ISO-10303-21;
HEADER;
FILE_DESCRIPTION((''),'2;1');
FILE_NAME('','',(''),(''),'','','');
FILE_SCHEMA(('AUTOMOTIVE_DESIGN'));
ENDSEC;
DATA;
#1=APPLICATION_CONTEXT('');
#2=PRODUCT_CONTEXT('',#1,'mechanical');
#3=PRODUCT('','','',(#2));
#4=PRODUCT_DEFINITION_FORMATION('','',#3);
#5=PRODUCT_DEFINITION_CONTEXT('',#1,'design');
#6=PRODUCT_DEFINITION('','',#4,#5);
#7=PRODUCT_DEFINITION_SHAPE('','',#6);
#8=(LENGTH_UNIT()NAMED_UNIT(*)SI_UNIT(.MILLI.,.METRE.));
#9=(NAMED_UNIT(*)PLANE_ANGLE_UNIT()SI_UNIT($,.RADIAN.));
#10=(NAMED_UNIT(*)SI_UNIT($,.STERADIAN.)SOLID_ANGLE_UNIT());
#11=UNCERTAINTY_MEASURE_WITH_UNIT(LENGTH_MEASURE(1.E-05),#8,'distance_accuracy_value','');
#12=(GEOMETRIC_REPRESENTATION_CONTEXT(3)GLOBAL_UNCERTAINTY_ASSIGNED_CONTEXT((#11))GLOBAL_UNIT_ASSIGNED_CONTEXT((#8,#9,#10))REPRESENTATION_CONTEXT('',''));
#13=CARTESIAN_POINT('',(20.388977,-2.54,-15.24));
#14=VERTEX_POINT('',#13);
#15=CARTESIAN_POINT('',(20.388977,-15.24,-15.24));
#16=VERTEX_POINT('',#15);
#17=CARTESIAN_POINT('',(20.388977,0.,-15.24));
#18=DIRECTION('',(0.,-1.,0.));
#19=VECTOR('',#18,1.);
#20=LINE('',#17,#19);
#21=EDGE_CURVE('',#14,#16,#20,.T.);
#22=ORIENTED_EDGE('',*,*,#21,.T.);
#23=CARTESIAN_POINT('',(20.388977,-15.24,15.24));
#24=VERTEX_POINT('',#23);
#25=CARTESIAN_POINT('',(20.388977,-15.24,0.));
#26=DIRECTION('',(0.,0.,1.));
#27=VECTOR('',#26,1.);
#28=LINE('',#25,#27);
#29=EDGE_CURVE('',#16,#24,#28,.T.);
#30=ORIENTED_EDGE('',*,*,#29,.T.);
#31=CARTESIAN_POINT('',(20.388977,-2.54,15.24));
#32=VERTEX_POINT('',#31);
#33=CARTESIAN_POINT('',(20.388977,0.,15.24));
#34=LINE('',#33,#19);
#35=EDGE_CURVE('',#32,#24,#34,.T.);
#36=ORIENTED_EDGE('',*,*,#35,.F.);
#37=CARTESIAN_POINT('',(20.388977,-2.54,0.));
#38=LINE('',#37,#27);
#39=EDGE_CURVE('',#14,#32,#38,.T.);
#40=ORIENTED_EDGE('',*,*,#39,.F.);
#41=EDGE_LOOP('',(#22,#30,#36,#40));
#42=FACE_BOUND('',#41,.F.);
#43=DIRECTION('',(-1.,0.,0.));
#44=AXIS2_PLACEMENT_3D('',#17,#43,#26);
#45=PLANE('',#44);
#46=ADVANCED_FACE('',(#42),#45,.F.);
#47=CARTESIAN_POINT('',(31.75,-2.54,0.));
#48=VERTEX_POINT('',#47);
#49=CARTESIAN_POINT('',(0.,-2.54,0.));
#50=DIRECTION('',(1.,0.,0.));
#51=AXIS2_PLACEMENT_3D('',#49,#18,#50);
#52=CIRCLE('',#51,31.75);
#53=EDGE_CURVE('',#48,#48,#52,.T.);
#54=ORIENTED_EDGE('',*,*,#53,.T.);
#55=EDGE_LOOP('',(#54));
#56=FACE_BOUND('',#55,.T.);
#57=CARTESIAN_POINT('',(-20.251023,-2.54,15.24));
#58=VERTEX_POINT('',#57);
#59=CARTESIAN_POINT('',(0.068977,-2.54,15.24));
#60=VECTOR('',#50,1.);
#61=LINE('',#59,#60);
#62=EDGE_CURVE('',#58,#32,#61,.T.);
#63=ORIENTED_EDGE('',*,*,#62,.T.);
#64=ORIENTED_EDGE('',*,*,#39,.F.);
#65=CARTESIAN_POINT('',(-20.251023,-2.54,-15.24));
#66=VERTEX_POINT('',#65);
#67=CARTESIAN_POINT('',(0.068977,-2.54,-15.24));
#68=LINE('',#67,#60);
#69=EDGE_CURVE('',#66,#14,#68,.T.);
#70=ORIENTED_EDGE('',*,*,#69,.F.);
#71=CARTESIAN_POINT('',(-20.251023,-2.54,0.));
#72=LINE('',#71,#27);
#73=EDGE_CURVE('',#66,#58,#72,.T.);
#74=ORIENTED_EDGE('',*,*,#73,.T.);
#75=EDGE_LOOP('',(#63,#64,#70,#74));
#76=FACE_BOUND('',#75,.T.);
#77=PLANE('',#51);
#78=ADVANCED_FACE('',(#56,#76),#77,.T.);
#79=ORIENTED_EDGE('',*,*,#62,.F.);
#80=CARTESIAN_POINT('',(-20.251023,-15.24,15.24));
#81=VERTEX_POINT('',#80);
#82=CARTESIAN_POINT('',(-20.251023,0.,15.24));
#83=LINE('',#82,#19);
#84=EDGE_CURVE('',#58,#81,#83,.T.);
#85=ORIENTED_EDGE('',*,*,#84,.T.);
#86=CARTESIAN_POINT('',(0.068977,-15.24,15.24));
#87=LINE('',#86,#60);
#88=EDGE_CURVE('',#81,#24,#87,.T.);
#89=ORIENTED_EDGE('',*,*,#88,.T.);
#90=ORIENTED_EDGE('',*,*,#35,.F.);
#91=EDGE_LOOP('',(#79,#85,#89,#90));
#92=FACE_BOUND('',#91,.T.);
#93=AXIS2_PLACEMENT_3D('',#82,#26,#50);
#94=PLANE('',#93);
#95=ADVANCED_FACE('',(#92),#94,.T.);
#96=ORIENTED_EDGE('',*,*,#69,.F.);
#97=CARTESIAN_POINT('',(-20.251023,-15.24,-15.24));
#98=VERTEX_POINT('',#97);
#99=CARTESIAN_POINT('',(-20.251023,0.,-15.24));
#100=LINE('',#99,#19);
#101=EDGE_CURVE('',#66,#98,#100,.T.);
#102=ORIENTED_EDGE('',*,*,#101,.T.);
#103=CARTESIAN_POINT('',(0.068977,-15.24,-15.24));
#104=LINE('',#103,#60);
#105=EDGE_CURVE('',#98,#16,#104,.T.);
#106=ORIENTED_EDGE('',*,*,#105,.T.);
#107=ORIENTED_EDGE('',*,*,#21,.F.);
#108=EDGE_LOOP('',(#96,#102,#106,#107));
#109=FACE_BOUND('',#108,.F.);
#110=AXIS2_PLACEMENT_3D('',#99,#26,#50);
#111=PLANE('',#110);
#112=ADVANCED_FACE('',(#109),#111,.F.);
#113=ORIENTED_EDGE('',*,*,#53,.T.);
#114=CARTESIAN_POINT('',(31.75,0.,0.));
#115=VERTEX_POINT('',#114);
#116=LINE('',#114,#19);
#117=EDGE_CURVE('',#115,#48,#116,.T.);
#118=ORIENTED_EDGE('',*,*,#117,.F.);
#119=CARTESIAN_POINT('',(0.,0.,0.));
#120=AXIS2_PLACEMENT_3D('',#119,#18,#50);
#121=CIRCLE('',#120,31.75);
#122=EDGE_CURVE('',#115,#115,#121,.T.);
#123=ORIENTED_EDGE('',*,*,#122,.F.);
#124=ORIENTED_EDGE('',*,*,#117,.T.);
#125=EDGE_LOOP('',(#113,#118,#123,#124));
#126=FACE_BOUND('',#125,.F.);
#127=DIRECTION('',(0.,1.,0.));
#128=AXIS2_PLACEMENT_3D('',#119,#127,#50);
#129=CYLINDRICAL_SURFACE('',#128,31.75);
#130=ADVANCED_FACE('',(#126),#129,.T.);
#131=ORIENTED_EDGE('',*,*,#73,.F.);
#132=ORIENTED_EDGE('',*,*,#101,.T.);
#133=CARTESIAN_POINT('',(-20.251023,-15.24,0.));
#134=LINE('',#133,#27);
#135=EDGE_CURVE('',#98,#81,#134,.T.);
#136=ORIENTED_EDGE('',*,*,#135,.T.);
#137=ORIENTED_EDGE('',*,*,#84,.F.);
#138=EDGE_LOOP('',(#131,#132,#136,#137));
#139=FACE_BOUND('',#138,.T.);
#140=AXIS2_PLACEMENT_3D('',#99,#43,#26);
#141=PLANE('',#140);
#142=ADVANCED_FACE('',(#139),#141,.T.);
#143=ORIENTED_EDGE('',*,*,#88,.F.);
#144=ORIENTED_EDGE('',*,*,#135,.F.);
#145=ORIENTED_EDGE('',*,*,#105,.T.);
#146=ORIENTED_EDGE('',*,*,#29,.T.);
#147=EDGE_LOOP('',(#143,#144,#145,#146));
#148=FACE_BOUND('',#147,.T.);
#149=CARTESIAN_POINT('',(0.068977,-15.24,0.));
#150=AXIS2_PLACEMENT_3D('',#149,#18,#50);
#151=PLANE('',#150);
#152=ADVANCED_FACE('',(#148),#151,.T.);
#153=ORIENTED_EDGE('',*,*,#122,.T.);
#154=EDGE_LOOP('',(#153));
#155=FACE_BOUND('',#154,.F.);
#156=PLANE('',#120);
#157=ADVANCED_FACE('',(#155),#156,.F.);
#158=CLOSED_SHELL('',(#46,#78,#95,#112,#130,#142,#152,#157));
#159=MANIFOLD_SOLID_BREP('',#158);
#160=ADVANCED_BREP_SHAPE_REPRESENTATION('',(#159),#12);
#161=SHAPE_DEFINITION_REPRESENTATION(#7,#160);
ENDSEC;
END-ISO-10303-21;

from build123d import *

# Parameters (mm, degrees)
F0_R     = 31.75
F0_W     = 40.64
F0_H     = 30.48
F1_DEPTH = 2.54
F2_DEPTH = 15.24


with BuildPart() as f1:
    # F0 (on Front) → F1 (new body)
    with BuildSketch(Plane.XZ):
        Circle(F0_R)
        with Locations((0.068977, 0)):
            Rectangle(F0_W, F0_H, mode=Mode.SUBTRACT)
    extrude(amount=F1_DEPTH)

    # F0 (on Front) → F2 (join)
    with BuildSketch(Plane.XZ):
        with Locations((0.068977, 0)):
            Rectangle(F0_W, F0_H)
    extrude(amount=F2_DEPTH)


solid = f1.part
